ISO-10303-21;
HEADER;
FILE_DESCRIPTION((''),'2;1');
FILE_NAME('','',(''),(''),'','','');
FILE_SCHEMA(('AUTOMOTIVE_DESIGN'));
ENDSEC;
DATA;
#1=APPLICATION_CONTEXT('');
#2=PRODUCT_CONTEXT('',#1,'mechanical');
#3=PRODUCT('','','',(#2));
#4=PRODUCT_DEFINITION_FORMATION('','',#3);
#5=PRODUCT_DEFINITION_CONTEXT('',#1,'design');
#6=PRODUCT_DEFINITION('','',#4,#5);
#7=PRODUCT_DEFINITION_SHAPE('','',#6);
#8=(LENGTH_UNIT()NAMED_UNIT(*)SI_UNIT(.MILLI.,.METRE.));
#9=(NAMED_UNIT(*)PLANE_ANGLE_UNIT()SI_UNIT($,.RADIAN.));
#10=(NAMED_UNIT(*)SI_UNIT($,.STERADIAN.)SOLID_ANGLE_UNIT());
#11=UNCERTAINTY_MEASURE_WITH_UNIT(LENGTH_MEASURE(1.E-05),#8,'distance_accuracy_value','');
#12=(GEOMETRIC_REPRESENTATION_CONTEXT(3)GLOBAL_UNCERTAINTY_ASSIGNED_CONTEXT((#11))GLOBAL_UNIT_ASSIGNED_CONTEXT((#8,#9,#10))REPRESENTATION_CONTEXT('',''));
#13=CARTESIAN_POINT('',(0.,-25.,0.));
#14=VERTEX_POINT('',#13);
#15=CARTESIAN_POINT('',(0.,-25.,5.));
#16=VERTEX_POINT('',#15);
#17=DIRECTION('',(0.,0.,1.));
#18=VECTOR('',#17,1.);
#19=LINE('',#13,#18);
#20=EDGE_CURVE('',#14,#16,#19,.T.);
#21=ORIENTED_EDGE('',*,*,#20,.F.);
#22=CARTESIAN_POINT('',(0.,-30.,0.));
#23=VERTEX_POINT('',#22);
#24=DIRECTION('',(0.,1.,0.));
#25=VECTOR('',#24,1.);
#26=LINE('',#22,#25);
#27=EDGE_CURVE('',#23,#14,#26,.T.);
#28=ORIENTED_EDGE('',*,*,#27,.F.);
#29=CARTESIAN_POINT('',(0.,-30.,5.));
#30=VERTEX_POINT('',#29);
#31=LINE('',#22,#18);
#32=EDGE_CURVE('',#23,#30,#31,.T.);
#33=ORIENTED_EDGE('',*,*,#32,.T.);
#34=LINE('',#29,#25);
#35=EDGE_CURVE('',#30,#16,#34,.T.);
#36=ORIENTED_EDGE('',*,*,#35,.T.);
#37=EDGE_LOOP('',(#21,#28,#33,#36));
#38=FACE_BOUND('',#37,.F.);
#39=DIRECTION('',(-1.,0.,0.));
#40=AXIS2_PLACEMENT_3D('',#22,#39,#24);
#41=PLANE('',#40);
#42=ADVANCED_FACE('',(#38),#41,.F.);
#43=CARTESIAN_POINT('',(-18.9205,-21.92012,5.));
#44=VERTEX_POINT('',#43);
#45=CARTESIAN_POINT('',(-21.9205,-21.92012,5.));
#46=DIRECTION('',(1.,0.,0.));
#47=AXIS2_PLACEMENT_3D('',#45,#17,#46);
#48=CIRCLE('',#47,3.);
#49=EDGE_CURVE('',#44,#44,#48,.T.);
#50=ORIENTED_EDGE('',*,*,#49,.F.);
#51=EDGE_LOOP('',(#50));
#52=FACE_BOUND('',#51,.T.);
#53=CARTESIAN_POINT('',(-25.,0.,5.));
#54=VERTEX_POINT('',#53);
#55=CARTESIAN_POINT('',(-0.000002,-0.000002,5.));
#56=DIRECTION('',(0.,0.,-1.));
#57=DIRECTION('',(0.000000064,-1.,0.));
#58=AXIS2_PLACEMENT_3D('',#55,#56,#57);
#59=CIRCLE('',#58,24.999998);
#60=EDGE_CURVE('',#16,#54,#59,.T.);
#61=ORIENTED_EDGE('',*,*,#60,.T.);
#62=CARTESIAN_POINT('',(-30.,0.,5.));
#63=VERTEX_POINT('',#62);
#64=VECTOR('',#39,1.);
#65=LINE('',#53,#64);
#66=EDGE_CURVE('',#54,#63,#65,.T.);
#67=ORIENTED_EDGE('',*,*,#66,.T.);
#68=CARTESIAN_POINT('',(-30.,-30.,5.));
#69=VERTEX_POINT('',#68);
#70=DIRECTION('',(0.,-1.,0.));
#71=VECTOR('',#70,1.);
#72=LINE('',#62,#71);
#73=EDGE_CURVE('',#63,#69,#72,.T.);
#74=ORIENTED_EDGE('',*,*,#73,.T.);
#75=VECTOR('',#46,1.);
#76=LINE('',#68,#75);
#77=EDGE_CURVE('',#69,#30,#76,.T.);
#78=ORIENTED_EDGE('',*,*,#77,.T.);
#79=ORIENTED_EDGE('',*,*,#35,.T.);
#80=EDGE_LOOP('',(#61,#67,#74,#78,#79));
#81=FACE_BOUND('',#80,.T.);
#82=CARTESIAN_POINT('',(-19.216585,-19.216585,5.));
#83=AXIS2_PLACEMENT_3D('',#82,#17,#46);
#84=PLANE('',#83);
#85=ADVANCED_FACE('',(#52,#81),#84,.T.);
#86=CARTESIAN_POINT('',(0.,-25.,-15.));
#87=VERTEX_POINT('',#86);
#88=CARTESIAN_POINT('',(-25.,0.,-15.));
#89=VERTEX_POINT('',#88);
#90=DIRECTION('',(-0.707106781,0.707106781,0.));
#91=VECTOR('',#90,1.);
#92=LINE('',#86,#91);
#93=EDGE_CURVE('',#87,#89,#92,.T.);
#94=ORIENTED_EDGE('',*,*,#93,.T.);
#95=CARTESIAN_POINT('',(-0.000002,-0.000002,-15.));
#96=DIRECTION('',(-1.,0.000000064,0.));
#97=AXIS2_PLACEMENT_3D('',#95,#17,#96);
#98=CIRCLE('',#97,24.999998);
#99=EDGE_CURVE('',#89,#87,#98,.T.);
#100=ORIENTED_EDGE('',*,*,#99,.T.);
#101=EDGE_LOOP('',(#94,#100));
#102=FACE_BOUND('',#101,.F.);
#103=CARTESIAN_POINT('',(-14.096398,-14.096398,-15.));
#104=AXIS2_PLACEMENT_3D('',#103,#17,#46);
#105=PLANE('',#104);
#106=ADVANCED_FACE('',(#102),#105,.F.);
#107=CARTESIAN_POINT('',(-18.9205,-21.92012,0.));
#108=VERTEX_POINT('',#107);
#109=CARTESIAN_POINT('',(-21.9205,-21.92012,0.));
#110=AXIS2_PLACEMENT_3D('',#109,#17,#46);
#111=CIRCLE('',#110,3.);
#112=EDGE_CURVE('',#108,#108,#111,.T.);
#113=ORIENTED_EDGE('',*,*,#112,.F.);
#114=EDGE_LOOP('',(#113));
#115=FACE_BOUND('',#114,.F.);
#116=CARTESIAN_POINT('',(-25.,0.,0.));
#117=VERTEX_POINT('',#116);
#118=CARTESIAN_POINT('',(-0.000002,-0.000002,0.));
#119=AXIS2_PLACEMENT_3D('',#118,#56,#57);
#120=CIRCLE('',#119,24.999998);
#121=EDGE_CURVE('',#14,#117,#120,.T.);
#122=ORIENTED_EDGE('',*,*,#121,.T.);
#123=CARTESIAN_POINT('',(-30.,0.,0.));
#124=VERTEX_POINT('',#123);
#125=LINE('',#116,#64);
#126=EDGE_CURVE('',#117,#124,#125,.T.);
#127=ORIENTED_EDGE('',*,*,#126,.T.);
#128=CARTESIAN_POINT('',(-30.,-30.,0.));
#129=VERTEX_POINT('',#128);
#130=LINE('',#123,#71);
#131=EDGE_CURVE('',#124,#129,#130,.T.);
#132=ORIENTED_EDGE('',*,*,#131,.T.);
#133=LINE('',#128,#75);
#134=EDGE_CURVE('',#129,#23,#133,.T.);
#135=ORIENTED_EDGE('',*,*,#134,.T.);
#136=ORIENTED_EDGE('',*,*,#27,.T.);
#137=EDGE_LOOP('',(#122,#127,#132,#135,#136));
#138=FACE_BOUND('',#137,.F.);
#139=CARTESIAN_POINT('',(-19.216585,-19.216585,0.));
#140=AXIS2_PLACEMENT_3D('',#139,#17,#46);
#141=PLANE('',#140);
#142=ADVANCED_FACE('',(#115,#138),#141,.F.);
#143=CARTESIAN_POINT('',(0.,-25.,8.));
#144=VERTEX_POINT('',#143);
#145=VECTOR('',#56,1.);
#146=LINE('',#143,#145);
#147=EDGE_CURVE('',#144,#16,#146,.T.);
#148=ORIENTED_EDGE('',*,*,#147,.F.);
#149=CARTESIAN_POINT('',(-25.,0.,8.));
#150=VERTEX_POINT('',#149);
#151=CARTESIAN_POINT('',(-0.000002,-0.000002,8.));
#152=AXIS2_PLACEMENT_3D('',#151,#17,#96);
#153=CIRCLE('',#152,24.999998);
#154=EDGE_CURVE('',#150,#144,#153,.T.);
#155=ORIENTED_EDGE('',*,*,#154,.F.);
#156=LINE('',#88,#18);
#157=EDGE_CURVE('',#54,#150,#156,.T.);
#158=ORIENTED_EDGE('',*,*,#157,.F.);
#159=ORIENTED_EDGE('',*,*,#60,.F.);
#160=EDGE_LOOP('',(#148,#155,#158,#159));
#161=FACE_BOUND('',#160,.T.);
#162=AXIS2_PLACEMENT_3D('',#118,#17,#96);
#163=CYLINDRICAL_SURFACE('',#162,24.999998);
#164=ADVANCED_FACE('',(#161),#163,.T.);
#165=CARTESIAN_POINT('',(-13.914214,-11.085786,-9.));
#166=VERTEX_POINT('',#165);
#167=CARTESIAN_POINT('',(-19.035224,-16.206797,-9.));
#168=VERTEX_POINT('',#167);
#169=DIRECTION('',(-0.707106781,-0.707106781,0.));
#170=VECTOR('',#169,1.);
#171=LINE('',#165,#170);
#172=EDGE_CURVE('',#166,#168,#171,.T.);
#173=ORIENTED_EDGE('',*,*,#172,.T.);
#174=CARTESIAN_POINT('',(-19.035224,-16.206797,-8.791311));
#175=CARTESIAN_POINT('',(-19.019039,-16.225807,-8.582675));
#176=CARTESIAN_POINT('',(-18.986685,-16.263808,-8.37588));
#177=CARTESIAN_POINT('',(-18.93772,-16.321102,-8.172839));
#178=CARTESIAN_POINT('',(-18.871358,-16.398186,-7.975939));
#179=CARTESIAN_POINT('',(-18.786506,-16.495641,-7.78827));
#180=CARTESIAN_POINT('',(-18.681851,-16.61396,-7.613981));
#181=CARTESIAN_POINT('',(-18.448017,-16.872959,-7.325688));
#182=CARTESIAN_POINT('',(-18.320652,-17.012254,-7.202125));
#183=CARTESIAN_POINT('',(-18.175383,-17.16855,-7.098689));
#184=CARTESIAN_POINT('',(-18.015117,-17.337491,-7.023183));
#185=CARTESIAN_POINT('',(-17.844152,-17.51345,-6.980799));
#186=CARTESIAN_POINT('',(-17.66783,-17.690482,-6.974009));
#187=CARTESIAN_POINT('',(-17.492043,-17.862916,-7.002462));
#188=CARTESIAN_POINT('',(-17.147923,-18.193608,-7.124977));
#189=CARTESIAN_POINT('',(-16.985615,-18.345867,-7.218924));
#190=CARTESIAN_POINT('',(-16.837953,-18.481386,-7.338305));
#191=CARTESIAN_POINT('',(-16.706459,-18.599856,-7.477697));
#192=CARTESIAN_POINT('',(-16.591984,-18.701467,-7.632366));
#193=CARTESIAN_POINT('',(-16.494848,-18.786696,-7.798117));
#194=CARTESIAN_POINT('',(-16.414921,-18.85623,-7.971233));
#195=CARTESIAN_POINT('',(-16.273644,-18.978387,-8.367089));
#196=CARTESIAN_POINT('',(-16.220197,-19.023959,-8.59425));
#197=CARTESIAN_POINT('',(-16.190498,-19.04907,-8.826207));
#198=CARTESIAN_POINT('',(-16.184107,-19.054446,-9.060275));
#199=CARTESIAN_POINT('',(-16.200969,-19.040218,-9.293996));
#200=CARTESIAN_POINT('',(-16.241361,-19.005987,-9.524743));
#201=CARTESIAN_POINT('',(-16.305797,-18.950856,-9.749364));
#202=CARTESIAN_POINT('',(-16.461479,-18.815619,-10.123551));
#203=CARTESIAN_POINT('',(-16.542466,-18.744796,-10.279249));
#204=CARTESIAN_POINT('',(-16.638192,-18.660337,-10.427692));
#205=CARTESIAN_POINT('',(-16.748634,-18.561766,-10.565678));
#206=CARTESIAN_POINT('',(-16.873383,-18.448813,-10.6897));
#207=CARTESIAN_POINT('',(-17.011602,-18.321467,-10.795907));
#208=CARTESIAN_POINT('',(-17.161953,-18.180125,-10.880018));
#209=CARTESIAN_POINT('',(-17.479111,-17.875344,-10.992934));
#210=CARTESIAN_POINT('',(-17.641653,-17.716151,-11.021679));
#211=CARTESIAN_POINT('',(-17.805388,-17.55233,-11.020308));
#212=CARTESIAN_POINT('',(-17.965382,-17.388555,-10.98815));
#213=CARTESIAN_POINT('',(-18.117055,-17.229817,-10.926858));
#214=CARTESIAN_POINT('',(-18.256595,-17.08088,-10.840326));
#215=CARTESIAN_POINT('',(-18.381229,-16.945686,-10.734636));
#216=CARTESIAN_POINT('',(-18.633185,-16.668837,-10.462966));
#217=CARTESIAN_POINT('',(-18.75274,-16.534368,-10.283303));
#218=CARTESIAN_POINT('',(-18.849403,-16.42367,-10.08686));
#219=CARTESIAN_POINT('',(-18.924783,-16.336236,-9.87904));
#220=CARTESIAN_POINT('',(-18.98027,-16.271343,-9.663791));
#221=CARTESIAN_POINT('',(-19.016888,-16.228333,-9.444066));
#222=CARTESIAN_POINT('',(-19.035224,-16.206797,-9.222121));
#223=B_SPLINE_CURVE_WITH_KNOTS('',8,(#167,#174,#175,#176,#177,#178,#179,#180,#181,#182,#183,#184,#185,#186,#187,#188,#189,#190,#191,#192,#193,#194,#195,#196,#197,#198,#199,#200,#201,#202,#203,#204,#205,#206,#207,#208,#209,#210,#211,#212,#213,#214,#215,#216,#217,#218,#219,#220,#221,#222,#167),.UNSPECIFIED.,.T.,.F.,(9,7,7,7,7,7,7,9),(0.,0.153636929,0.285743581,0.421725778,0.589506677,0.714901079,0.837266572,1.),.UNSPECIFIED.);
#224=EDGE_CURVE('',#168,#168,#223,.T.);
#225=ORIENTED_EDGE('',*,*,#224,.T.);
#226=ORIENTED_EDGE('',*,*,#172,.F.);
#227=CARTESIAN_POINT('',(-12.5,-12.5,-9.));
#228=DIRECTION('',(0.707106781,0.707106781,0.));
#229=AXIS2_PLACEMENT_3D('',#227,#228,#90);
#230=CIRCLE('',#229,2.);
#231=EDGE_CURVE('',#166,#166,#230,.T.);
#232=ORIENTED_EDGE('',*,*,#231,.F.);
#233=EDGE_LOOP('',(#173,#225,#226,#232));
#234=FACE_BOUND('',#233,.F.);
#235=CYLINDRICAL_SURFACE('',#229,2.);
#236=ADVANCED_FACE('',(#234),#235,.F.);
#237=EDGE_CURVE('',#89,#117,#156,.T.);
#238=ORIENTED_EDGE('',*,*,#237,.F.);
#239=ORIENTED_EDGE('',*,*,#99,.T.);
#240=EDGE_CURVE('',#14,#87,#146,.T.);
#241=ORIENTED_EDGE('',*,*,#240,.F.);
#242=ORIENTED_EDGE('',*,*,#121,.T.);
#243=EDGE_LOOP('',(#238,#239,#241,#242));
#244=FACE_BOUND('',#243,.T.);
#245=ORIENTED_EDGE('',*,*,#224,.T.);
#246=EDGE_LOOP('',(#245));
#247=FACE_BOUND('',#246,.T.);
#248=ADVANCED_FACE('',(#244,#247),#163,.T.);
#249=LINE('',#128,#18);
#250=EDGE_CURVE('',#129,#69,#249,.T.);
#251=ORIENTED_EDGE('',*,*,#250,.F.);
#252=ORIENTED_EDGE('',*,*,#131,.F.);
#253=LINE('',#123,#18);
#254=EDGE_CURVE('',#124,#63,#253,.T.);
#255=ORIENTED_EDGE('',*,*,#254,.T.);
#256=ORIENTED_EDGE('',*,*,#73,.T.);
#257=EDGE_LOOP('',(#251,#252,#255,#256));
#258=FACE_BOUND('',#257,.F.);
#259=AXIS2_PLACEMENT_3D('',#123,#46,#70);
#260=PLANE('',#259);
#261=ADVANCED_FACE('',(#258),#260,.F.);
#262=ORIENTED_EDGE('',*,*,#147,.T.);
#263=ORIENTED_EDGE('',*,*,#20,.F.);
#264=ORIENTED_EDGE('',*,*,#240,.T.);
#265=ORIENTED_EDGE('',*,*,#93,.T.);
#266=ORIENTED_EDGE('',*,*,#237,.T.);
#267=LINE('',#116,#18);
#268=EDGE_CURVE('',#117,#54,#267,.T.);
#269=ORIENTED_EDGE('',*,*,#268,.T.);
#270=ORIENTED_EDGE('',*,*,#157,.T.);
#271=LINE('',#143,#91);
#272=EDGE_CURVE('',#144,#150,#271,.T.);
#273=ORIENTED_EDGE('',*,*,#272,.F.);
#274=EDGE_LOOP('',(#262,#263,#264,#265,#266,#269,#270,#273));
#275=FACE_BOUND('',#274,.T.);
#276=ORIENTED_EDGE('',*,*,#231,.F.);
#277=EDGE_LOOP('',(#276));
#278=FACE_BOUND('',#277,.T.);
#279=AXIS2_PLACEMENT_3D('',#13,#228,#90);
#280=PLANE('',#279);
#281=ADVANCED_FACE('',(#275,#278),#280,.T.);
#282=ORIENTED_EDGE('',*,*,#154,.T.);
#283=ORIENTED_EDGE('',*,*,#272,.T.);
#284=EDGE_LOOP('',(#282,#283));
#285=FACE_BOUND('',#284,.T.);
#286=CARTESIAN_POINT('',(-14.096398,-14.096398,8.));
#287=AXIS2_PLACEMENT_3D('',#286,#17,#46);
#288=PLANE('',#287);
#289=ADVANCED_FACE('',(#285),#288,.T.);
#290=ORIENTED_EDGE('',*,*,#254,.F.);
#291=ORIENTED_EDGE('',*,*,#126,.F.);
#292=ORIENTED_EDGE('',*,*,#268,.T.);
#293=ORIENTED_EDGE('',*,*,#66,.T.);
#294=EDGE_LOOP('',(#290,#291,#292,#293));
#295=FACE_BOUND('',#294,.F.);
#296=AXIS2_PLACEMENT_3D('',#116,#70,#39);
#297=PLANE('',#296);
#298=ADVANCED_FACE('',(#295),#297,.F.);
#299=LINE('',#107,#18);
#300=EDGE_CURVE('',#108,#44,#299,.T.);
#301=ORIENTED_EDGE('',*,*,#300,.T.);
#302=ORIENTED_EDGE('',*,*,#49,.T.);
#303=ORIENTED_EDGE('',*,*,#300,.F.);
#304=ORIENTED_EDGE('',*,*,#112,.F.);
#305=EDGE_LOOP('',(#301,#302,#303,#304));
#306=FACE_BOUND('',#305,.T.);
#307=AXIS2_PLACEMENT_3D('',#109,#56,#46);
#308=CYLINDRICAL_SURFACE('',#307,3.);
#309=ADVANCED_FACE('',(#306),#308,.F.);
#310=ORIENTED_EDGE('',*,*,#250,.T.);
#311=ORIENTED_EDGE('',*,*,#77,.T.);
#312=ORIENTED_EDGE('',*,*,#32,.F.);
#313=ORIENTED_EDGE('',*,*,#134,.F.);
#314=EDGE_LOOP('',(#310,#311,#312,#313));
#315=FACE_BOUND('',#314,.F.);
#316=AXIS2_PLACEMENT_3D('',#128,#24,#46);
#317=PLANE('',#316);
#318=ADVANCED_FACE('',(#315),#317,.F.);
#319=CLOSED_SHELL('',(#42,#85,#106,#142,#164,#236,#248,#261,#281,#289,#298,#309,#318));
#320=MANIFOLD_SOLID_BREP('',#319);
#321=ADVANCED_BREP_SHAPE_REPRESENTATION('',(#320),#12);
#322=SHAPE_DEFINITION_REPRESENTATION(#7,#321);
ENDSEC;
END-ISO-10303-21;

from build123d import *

# Parameters (mm, degrees)
F1_DEPTH      = 8
F1_DEPTH_BACK = 15
F0_R          = 3
F2_DEPTH      = 5
F3_R          = 2
F4_DEPTH      = 25


with BuildPart() as f1:
    # F0 (on Top) → F1 (new body, two sides)
    with BuildSketch(Plane.XY) as f1_sk:
        with BuildLine():
            Line((0, -25), (-25, 0))
            ThreePointArc((-25, 0), (-17.67767, -17.67767), (0, -25))
        make_face()
    extrude(amount=F1_DEPTH)
    extrude(f1_sk.sketch, amount=-F1_DEPTH_BACK)

    # F0 (on Top) → F2 (join)
    with BuildSketch(Plane.XY):
        with BuildLine():
            Line((-25, 0), (-30, 0))
            Line((-30, 0), (-30, -30))
            Line((-30, -30), (0, -30))
            Line((0, -30), (0, -25))
            ThreePointArc((0, -25), (-17.67767, -17.67767), (-25, 0))
        make_face()
        with Locations((-21.9205, -21.92012)):
            Circle(F0_R, mode=Mode.SUBTRACT)
    extrude(amount=F2_DEPTH)

    # F3 (on face) → F4 (cut)
    with BuildSketch(Plane(origin=(-12.5, -12.5, 0), x_dir=(-0.707107, 0.707107, 0), z_dir=(0.707107, 0.707107, 0))):
        with Locations((0, -9)):
            Circle(F3_R)
    extrude(amount=-F4_DEPTH, mode=Mode.SUBTRACT)


solid = f1.part
